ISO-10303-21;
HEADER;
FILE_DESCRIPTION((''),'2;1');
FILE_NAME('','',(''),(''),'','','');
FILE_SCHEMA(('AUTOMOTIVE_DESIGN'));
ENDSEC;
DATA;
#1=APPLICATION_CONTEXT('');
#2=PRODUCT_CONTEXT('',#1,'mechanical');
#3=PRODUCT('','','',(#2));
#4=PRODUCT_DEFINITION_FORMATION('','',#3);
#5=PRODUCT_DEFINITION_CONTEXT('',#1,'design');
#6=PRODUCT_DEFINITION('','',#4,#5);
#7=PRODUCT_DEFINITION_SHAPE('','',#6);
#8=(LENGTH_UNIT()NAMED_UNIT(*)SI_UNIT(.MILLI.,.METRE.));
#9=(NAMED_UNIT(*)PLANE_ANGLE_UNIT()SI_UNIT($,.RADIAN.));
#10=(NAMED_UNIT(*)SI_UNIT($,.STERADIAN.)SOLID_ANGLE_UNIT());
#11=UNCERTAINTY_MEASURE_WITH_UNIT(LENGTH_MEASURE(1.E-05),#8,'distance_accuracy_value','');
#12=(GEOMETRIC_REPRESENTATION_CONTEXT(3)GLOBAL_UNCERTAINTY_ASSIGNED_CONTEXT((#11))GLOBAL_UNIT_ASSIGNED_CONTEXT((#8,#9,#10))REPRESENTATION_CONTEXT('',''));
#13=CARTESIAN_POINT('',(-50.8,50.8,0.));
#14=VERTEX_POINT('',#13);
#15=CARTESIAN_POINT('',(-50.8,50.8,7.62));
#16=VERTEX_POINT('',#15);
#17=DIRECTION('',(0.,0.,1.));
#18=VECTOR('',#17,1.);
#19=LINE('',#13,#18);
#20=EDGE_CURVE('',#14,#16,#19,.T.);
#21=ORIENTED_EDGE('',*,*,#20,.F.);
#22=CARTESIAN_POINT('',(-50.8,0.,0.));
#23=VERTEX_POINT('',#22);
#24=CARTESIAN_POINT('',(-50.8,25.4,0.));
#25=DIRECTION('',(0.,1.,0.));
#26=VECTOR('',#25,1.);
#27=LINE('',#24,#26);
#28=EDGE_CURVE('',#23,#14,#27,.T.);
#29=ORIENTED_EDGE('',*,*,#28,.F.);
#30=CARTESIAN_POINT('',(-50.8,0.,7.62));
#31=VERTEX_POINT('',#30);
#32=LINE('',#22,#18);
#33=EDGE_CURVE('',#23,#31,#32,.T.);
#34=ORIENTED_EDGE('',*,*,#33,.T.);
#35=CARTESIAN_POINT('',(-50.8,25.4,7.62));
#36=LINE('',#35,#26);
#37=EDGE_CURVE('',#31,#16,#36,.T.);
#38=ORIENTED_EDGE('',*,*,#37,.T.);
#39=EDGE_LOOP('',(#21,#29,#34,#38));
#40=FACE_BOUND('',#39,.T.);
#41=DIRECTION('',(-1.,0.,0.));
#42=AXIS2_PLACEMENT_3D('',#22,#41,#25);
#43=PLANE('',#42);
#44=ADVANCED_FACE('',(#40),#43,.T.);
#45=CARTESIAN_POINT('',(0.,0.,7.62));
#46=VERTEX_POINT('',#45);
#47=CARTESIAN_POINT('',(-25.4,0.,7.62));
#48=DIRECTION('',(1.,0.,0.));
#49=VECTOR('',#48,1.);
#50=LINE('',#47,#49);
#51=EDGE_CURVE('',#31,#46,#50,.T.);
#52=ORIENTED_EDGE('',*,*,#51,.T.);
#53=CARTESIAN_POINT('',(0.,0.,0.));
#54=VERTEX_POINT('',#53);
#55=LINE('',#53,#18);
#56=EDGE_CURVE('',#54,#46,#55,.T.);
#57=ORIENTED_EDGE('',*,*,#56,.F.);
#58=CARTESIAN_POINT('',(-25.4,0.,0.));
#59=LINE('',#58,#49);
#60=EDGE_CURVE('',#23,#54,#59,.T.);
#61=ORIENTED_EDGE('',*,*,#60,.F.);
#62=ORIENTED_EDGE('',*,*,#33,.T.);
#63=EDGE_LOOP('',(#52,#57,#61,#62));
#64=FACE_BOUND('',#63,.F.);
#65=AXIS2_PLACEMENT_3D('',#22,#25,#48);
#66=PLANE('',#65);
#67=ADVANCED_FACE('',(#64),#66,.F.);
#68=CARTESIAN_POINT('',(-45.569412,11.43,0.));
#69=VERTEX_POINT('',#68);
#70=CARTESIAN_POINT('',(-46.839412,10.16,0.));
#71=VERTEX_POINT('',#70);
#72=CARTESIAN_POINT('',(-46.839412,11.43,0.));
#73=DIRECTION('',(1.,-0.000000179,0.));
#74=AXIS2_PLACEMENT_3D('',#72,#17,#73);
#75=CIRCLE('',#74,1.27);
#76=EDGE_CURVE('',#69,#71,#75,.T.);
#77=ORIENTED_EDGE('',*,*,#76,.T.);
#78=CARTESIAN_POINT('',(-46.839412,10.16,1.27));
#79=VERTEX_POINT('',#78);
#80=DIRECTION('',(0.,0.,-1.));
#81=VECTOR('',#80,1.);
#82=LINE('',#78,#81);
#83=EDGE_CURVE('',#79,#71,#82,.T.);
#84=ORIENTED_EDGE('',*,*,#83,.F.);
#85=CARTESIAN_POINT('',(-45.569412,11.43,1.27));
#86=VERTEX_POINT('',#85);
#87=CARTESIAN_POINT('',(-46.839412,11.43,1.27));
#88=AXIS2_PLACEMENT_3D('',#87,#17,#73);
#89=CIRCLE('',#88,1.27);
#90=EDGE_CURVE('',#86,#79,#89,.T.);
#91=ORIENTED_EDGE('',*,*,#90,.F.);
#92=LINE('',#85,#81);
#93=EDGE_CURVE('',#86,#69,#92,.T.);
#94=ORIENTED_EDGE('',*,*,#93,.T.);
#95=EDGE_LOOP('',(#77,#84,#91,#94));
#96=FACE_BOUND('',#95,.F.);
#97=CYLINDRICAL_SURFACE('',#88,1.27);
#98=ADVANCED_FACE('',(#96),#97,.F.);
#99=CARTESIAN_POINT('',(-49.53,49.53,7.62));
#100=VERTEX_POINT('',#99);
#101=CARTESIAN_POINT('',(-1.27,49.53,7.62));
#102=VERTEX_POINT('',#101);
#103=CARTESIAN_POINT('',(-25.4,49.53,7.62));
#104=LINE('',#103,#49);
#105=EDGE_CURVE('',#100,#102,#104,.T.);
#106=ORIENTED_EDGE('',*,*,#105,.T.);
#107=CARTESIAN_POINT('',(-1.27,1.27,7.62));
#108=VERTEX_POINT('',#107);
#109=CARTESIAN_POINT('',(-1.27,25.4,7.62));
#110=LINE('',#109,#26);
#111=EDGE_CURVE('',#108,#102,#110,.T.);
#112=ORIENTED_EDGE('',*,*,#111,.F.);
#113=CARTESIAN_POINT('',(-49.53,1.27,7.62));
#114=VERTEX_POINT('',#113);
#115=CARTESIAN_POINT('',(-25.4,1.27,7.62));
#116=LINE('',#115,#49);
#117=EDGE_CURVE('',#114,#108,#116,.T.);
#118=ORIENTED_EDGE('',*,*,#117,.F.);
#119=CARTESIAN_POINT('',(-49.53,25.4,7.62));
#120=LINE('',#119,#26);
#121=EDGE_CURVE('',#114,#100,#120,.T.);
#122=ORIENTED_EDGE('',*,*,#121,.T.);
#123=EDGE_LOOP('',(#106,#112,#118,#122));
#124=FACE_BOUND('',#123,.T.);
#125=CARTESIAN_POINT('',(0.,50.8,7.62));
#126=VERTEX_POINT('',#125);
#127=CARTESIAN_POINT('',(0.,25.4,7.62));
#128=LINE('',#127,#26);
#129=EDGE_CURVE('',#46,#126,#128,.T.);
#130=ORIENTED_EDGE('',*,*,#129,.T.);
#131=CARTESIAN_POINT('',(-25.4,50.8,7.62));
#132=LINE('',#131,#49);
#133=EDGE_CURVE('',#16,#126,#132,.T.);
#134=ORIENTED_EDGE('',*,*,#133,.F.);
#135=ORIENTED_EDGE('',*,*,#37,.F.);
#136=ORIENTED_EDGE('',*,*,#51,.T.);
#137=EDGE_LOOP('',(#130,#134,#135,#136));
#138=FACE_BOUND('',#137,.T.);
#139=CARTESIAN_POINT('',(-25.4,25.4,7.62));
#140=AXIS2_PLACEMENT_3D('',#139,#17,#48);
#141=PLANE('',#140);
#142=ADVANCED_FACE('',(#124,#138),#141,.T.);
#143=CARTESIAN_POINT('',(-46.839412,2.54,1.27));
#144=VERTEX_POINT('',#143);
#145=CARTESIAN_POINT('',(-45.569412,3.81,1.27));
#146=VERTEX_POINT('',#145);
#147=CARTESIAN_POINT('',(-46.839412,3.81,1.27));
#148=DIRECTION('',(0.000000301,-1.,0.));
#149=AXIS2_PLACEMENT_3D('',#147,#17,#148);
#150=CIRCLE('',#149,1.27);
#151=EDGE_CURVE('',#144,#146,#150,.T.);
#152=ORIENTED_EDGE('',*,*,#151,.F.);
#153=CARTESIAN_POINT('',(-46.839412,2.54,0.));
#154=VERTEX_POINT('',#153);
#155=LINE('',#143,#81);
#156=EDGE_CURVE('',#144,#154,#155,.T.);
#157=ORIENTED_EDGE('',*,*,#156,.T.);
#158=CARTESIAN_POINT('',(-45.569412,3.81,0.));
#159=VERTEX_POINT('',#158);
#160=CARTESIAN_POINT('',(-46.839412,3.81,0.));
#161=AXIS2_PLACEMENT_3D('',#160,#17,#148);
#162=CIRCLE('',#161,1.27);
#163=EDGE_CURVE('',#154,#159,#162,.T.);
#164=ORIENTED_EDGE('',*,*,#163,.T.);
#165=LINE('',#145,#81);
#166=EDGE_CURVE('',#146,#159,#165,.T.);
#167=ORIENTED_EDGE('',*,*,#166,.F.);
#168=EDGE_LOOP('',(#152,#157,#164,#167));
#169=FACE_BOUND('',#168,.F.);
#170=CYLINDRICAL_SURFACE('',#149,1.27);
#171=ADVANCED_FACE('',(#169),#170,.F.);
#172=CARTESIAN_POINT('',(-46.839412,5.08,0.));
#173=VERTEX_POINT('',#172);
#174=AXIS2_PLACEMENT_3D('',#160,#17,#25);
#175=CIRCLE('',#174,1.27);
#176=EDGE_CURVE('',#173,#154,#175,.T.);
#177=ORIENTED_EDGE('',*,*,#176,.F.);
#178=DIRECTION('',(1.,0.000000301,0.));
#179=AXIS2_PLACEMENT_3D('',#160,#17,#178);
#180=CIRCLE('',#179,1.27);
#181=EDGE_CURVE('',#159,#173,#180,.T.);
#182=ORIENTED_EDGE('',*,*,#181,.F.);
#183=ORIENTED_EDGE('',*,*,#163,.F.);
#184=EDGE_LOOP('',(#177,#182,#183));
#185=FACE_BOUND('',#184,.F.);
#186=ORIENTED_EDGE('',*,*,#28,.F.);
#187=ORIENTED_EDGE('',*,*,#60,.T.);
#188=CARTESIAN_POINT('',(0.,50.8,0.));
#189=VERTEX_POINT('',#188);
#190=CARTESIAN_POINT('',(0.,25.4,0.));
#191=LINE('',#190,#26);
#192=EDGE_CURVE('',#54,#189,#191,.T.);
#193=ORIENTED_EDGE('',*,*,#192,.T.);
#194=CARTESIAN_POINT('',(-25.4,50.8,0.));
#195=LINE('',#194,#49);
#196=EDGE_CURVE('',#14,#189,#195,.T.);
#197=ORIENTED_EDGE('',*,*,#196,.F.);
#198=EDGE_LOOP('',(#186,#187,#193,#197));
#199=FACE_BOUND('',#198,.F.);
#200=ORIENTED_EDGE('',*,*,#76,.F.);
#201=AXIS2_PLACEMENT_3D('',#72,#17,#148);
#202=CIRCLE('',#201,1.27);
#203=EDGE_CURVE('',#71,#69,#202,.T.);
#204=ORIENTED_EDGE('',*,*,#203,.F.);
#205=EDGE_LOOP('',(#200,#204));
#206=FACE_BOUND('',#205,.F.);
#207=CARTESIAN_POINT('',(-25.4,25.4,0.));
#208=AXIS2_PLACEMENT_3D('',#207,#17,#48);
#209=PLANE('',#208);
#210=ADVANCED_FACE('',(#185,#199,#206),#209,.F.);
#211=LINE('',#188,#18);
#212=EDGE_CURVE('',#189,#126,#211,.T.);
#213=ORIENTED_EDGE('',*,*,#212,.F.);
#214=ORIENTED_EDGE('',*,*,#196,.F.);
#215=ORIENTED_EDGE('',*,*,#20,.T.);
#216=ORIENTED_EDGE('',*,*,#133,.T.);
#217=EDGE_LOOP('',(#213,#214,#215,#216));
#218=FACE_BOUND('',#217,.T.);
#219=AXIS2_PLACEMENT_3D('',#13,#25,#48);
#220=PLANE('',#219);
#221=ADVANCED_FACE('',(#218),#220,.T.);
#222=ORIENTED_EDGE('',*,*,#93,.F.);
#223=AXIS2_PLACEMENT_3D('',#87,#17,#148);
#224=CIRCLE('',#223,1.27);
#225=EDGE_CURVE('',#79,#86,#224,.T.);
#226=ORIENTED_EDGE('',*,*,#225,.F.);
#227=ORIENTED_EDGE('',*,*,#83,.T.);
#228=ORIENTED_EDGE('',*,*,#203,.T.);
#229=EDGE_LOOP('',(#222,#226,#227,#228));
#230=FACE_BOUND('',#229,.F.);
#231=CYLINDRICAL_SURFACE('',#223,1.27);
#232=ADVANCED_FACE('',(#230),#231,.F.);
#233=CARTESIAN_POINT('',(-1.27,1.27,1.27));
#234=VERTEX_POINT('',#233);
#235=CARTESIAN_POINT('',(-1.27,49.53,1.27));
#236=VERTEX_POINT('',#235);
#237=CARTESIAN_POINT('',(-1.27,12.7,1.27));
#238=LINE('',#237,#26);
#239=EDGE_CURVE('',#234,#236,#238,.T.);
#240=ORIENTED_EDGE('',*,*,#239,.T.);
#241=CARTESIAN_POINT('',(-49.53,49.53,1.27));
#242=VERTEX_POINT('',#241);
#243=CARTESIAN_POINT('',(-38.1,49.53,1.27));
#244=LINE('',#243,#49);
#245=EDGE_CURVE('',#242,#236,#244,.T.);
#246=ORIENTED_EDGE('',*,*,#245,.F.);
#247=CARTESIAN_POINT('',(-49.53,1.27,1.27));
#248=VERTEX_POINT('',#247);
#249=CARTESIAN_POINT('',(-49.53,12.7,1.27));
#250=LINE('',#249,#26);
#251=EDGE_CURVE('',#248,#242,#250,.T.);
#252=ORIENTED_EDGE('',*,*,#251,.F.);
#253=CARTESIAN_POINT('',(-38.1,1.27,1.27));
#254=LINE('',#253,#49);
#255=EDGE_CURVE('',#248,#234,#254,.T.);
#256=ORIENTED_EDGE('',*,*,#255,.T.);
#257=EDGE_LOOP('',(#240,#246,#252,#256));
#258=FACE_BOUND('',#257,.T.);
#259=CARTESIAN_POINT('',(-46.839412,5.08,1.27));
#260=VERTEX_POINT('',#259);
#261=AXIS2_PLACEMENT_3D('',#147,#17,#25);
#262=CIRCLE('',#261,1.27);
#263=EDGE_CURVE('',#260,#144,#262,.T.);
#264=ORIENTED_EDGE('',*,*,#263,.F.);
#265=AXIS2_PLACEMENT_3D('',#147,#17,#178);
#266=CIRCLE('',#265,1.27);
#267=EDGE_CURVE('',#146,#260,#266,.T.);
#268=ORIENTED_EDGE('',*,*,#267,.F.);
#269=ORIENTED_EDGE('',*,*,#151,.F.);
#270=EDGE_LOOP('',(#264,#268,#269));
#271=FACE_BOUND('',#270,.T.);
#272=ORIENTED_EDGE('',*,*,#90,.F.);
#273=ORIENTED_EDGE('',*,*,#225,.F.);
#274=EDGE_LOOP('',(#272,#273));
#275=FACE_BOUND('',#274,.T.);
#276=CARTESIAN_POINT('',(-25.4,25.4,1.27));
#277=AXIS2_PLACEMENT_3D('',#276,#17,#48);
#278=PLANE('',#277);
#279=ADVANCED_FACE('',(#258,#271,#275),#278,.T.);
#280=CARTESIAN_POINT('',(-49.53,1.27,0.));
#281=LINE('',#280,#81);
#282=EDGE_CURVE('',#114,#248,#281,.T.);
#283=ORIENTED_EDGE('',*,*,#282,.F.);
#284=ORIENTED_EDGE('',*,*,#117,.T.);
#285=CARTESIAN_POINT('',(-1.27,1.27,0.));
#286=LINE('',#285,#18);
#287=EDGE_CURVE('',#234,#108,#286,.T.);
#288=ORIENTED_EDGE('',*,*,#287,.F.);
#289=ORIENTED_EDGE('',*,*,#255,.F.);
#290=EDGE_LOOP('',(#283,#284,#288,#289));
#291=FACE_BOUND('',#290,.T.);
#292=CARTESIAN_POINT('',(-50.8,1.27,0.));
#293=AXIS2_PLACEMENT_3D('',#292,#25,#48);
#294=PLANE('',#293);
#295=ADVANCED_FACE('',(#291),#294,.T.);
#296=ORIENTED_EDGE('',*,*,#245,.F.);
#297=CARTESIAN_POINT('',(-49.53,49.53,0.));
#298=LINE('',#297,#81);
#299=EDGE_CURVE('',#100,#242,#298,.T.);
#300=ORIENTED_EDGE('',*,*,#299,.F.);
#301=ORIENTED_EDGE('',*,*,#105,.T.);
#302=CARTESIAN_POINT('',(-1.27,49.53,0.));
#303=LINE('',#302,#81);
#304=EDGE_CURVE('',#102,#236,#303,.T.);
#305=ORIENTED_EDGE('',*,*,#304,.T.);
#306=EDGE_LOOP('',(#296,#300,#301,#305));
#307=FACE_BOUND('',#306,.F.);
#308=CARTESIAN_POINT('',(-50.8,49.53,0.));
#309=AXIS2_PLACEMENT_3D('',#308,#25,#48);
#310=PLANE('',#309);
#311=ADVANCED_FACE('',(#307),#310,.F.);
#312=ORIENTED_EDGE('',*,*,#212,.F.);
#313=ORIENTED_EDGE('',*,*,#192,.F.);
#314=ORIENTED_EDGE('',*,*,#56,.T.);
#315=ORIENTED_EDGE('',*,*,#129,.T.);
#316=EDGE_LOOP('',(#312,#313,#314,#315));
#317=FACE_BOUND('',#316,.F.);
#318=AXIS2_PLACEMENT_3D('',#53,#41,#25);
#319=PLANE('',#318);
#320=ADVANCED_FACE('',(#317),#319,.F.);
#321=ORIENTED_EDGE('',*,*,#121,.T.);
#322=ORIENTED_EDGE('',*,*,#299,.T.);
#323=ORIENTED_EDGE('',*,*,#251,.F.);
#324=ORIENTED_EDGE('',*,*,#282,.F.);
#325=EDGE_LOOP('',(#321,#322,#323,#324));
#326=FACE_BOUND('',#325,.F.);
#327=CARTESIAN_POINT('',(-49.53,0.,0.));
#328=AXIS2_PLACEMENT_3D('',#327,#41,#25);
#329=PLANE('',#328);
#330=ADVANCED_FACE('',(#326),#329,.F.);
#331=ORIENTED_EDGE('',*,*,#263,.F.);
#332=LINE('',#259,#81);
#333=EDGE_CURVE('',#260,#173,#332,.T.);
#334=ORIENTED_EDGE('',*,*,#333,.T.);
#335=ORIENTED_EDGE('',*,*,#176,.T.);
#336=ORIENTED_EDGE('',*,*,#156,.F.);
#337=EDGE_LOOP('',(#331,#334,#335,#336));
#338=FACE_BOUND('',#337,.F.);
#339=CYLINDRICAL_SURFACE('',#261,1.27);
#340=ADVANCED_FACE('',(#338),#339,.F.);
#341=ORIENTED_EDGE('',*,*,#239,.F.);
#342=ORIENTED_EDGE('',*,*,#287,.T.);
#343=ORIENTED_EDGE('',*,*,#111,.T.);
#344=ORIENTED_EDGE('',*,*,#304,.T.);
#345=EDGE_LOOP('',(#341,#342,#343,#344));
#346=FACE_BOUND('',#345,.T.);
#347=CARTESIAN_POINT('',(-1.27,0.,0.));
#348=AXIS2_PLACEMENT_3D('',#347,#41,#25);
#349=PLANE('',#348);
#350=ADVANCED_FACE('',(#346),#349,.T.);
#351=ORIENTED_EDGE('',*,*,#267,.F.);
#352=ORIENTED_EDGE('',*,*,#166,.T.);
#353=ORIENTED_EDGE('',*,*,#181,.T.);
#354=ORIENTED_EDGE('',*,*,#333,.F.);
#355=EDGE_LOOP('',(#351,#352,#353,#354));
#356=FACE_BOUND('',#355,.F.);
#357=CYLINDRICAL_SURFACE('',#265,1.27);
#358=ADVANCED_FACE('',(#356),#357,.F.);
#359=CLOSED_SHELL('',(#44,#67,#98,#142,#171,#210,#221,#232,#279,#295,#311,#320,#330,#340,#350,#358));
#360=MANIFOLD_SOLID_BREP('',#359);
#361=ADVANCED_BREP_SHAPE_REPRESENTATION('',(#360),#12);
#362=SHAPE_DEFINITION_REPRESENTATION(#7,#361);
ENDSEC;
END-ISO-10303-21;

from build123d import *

# Parameters (mm, degrees)
F0_W     = 50.8
F0_H     = 50.8
F1_DEPTH = 7.62
F2_T     = -1.27
F4_DEPTH = 25.4


with BuildPart() as f1:
    # F0 (on Top) → F1 (new body)
    with BuildSketch(Plane.XY):
        with Locations((-25.4, 25.4)):
            Rectangle(F0_W, F0_H)
    extrude(amount=F1_DEPTH)

    # F2
    f2_openings = [f1.faces().sort_by_distance(p)[0] for p in [
        (-25.4, 25.4, 7.62),
    ]]
    offset(amount=F2_T, openings=f2_openings)

    # F3 (on face) → F4 (cut)
    with BuildSketch(Plane.XY.offset(1.27)):
        with BuildLine():
            ThreePointArc((-45.569412, 11.43), (-47.737438, 12.328026), (-46.839412, 10.16))
            ThreePointArc((-46.839412, 10.16), (-45.941387, 10.531974), (-45.569412, 11.43))
        make_face()
        with BuildLine():
            ThreePointArc((-46.839412, 5.08), (-48.109412, 3.81), (-46.839412, 2.54))
            Line((-46.839412, 2.54), (-46.839412, 3.81))
            Line((-46.839412, 3.81), (-46.839412, 5.08))
        make_face()
        with BuildLine():
            Line((-46.839412, 3.81), (-46.839412, 2.54))
            ThreePointArc((-46.839412, 2.54), (-45.941387, 2.911974), (-45.569412, 3.81))
            ThreePointArc((-45.569412, 3.81), (-45.941387, 4.708026), (-46.839412, 5.08))
            Line((-46.839412, 5.08), (-46.839412, 3.81))
        make_face()
    extrude(amount=-F4_DEPTH, mode=Mode.SUBTRACT)


solid = f1.part
